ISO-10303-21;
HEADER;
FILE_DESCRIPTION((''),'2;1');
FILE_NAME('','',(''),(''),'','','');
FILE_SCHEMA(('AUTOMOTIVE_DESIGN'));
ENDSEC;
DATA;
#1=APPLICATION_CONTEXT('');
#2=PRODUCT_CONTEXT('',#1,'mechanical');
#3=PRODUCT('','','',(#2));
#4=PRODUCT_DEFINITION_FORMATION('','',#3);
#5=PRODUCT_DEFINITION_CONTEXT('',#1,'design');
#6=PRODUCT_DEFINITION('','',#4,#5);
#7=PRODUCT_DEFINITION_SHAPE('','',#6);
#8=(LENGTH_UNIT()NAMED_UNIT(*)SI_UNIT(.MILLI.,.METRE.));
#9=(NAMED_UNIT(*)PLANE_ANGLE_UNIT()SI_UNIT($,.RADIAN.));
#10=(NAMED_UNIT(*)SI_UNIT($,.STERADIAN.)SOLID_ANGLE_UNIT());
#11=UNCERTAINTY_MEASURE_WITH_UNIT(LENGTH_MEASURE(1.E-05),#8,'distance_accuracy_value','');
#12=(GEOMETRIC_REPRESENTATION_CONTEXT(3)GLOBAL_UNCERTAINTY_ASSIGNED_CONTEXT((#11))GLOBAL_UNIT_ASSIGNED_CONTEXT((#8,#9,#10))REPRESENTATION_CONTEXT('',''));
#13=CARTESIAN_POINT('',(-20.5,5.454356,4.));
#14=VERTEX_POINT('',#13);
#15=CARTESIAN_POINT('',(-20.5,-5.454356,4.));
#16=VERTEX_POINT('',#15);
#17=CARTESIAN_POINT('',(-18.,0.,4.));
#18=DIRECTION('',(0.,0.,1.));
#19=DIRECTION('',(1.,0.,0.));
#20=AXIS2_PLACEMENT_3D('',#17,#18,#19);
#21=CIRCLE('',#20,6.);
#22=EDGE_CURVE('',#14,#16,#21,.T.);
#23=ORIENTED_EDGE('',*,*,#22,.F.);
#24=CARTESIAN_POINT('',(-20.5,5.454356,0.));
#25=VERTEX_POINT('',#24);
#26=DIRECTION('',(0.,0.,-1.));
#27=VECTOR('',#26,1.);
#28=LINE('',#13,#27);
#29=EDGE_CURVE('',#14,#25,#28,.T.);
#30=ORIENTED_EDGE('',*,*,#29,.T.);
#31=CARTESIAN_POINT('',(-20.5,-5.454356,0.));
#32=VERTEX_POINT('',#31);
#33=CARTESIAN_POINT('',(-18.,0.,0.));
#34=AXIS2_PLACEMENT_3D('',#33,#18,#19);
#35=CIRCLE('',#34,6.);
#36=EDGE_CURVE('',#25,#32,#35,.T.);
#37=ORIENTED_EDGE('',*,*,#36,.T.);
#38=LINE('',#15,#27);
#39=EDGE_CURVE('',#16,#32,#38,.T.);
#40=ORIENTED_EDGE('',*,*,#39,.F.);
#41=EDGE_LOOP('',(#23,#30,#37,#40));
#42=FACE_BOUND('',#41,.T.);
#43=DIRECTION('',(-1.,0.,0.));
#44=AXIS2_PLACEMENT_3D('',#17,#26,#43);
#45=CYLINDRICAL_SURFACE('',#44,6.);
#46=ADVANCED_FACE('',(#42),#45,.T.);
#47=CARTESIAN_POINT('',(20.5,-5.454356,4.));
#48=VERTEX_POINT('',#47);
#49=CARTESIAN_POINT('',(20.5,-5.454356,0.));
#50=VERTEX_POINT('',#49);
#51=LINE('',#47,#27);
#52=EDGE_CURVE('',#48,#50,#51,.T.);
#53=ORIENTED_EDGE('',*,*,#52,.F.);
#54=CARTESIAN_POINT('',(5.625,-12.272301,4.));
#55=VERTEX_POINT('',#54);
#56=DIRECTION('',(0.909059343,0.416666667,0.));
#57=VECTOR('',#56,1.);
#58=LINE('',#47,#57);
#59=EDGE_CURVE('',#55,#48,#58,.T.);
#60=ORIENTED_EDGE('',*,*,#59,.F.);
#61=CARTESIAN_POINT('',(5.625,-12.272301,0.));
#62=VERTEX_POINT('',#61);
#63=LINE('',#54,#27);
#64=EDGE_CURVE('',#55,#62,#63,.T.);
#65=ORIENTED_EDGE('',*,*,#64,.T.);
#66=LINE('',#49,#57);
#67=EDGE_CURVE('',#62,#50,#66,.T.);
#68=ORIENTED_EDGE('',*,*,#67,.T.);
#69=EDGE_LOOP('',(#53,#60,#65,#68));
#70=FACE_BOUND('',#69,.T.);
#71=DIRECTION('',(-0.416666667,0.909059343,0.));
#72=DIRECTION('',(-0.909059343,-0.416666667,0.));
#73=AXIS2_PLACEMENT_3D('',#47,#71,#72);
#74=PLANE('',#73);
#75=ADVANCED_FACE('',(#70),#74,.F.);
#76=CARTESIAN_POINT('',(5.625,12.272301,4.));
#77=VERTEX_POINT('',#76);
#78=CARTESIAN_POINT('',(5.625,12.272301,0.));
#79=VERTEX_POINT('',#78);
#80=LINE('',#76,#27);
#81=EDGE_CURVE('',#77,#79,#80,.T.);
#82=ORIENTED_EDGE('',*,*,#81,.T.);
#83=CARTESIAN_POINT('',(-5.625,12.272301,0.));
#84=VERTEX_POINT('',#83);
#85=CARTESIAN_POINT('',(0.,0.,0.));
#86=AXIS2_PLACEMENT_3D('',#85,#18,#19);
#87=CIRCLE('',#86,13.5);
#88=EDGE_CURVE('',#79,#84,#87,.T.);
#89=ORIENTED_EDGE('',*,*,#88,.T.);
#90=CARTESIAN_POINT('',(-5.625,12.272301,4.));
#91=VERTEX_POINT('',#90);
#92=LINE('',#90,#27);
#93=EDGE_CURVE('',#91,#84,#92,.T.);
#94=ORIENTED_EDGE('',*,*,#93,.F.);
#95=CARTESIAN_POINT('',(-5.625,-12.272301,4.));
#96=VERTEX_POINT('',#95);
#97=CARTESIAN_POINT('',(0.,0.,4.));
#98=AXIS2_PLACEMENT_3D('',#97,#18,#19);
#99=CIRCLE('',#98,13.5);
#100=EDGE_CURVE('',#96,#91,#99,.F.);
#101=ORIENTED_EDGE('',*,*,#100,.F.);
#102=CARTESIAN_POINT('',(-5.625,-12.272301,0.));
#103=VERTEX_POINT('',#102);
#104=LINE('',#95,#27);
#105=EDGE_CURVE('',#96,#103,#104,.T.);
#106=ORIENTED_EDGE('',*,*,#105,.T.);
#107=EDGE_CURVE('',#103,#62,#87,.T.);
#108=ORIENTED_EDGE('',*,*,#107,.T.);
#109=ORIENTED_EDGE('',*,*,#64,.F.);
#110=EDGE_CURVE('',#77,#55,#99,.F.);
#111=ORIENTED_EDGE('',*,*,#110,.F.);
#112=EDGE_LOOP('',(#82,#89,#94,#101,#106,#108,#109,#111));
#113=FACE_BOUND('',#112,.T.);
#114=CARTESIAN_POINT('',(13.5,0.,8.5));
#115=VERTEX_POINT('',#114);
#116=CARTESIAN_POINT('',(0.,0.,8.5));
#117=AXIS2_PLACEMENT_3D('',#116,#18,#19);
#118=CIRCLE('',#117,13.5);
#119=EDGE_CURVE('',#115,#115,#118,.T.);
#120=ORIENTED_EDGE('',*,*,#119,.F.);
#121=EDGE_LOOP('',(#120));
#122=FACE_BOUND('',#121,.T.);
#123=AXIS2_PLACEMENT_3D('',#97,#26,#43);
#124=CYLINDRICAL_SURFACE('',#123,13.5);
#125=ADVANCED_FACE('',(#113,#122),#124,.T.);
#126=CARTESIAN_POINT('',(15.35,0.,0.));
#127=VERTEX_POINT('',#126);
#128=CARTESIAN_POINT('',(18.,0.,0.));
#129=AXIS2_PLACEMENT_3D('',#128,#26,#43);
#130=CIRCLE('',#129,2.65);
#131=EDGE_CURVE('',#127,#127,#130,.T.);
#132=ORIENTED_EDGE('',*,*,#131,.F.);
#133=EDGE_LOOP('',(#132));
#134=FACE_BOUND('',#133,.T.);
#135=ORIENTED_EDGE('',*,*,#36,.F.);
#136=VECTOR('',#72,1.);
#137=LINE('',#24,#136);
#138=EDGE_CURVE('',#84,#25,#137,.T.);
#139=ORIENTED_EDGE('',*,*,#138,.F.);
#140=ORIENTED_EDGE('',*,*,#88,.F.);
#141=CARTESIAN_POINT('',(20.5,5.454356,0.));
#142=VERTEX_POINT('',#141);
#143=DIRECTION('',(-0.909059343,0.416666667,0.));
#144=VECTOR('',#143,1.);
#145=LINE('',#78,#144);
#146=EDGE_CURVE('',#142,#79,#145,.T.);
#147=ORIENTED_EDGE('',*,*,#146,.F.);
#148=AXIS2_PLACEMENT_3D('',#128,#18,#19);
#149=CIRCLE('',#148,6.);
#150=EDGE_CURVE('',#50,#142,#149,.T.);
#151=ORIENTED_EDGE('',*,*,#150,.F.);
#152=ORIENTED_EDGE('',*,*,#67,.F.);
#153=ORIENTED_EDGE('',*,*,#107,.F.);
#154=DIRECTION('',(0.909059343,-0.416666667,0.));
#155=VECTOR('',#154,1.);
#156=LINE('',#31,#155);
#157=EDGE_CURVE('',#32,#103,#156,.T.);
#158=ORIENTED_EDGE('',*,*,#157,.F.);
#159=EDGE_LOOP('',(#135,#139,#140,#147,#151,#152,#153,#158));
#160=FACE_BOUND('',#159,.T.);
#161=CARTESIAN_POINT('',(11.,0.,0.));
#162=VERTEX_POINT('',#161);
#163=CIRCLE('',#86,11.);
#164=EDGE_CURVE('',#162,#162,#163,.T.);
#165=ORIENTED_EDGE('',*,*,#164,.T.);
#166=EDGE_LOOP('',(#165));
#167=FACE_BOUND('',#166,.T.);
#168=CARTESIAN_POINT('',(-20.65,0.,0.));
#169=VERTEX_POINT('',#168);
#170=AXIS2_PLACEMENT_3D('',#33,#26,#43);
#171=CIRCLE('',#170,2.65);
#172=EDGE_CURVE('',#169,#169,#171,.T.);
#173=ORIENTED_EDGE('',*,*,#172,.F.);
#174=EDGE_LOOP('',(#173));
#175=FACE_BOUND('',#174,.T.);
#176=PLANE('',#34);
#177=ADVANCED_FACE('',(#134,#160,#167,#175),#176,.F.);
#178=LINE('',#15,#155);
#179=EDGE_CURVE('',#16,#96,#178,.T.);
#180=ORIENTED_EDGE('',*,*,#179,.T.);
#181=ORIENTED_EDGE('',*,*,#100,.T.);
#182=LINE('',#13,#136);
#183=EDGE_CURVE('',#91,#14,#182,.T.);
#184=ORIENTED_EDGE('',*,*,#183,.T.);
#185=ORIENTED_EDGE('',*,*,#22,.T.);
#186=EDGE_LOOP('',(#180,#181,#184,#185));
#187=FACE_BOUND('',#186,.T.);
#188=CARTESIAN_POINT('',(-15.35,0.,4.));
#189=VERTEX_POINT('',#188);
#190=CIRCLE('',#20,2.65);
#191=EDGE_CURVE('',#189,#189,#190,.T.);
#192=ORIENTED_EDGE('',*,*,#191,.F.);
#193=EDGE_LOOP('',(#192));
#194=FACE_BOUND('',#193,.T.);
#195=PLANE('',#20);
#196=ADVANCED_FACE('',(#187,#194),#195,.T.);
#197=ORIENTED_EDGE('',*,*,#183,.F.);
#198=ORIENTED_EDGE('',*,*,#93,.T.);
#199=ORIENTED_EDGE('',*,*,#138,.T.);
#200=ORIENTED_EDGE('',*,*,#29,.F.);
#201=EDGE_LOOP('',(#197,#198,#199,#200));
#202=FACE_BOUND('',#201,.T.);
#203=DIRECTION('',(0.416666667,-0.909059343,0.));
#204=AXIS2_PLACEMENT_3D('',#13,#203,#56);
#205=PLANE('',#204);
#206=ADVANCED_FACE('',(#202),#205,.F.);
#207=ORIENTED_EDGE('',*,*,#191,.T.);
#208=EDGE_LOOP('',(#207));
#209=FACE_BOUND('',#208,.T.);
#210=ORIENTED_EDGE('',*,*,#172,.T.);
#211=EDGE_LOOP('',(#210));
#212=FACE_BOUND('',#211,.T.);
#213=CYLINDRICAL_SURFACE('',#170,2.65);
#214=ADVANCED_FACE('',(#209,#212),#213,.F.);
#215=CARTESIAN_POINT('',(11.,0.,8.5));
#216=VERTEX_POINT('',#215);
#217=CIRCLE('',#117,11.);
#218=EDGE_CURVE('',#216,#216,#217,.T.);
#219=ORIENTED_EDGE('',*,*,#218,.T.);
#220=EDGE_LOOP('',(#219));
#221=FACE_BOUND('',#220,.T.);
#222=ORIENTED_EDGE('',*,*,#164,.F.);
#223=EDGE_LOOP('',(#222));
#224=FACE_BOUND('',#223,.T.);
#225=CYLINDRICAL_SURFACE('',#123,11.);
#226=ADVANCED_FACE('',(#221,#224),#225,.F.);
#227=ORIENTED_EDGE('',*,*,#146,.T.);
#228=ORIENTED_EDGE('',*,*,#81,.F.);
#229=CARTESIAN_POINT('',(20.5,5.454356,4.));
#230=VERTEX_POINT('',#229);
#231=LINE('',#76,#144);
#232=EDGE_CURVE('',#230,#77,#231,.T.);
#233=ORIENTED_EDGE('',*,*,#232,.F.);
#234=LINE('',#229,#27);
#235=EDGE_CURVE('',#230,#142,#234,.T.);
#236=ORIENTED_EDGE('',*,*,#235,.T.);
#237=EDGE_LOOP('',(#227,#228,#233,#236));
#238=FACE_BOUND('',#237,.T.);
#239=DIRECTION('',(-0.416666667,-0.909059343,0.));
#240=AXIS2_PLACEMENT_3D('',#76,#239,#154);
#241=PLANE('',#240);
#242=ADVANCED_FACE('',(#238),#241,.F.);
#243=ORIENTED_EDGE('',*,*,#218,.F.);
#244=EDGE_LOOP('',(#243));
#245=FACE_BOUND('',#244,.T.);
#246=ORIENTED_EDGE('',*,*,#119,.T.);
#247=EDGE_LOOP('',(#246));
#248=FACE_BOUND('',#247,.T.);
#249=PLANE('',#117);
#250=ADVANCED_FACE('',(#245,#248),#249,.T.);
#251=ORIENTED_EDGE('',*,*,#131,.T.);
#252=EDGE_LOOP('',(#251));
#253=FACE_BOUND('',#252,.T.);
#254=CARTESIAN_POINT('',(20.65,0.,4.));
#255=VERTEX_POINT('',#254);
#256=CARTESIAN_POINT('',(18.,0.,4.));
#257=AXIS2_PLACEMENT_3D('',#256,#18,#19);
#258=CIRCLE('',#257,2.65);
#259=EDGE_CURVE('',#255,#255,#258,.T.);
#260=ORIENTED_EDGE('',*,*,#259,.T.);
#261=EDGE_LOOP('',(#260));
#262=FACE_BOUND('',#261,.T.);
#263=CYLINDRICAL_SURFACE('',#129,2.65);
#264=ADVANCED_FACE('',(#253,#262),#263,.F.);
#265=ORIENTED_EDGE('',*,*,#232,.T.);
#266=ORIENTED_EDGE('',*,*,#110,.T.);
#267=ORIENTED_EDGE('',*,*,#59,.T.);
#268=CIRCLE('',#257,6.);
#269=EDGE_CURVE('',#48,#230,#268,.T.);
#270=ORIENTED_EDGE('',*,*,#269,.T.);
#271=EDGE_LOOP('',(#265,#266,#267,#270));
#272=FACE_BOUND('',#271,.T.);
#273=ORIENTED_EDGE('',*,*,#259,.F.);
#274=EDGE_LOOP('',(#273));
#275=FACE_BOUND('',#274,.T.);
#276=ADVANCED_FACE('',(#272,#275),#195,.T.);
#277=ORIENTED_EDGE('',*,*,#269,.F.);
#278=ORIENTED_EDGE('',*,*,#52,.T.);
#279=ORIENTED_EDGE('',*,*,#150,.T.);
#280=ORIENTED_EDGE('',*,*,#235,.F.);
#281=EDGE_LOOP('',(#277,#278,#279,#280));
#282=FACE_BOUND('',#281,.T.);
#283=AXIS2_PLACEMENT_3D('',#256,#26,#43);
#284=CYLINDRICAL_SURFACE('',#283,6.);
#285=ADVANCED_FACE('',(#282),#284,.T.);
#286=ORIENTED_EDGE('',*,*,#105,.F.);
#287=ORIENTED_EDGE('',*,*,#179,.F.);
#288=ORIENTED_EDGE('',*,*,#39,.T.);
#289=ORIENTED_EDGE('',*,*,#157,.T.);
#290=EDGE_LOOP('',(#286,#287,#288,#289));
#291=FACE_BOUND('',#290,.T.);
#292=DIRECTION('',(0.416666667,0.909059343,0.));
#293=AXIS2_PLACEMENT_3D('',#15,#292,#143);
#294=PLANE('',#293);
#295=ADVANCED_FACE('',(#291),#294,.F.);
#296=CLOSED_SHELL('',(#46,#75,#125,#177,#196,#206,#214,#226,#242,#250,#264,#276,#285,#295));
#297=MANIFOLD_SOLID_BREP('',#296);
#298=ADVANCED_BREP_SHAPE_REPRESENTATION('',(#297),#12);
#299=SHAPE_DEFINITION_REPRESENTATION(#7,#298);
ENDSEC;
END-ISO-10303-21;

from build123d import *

# Parameters (mm, degrees)
BASE_SKETCH_R                     = 11
BASE_EXTRUDE_DEPTH                = 4
BEARING_RETAINING_RING_SKETCH_R   = 13.5
BEARING_RETAINING_RING_SKETCH_R_2 = 11
BEARING_RETAINING_RING_DEPTH      = 8.5
MOUNTING_HOLES_D                  = 5.3


with BuildPart() as part:
    # Base Sketch → Base Extrude (new body)
    with BuildSketch(Plane.XY):
        with BuildLine():
            Line((-20.5, 5.454356057), (-5.625, 12.272301129))
            ThreePointArc((-5.625, 12.272301129), (0, 13.5), (5.625, 12.272301129))
            Line((5.625, 12.272301129), (20.5, 5.454356057))
            ThreePointArc((20.5, 5.454356057), (24, 0), (20.5, -5.454356057))
            Line((20.5, -5.454356057), (5.625, -12.272301129))
            ThreePointArc((5.625, -12.272301129), (0, -13.5), (-5.625, -12.272301129))
            Line((-5.625, -12.272301129), (-20.5, -5.454356057))
            ThreePointArc((-20.5, -5.454356057), (-24, 0), (-20.5, 5.454356057))
        make_face()
        Circle(BASE_SKETCH_R, mode=Mode.SUBTRACT)
    extrude(amount=BASE_EXTRUDE_DEPTH)

    # Bearing Retaining Ring Sketch → Bearing Retaining Ring (add)
    with BuildSketch(Plane.XY):
        with Locations(Location((0, 0, 0), (0, 0, 114.624318352))):
            Circle(BEARING_RETAINING_RING_SKETCH_R)
        Circle(BEARING_RETAINING_RING_SKETCH_R_2, mode=Mode.SUBTRACT)
    extrude(amount=BEARING_RETAINING_RING_DEPTH)

    # Mounting Holes (through all)
    with Locations(Plane(origin=(0, 0, 0), x_dir=(-1, 0, 0), z_dir=(0, 0, -1))):
        with Locations((18, 0), (-18, 0)):
            Hole(MOUNTING_HOLES_D / 2)


solid = part.part
